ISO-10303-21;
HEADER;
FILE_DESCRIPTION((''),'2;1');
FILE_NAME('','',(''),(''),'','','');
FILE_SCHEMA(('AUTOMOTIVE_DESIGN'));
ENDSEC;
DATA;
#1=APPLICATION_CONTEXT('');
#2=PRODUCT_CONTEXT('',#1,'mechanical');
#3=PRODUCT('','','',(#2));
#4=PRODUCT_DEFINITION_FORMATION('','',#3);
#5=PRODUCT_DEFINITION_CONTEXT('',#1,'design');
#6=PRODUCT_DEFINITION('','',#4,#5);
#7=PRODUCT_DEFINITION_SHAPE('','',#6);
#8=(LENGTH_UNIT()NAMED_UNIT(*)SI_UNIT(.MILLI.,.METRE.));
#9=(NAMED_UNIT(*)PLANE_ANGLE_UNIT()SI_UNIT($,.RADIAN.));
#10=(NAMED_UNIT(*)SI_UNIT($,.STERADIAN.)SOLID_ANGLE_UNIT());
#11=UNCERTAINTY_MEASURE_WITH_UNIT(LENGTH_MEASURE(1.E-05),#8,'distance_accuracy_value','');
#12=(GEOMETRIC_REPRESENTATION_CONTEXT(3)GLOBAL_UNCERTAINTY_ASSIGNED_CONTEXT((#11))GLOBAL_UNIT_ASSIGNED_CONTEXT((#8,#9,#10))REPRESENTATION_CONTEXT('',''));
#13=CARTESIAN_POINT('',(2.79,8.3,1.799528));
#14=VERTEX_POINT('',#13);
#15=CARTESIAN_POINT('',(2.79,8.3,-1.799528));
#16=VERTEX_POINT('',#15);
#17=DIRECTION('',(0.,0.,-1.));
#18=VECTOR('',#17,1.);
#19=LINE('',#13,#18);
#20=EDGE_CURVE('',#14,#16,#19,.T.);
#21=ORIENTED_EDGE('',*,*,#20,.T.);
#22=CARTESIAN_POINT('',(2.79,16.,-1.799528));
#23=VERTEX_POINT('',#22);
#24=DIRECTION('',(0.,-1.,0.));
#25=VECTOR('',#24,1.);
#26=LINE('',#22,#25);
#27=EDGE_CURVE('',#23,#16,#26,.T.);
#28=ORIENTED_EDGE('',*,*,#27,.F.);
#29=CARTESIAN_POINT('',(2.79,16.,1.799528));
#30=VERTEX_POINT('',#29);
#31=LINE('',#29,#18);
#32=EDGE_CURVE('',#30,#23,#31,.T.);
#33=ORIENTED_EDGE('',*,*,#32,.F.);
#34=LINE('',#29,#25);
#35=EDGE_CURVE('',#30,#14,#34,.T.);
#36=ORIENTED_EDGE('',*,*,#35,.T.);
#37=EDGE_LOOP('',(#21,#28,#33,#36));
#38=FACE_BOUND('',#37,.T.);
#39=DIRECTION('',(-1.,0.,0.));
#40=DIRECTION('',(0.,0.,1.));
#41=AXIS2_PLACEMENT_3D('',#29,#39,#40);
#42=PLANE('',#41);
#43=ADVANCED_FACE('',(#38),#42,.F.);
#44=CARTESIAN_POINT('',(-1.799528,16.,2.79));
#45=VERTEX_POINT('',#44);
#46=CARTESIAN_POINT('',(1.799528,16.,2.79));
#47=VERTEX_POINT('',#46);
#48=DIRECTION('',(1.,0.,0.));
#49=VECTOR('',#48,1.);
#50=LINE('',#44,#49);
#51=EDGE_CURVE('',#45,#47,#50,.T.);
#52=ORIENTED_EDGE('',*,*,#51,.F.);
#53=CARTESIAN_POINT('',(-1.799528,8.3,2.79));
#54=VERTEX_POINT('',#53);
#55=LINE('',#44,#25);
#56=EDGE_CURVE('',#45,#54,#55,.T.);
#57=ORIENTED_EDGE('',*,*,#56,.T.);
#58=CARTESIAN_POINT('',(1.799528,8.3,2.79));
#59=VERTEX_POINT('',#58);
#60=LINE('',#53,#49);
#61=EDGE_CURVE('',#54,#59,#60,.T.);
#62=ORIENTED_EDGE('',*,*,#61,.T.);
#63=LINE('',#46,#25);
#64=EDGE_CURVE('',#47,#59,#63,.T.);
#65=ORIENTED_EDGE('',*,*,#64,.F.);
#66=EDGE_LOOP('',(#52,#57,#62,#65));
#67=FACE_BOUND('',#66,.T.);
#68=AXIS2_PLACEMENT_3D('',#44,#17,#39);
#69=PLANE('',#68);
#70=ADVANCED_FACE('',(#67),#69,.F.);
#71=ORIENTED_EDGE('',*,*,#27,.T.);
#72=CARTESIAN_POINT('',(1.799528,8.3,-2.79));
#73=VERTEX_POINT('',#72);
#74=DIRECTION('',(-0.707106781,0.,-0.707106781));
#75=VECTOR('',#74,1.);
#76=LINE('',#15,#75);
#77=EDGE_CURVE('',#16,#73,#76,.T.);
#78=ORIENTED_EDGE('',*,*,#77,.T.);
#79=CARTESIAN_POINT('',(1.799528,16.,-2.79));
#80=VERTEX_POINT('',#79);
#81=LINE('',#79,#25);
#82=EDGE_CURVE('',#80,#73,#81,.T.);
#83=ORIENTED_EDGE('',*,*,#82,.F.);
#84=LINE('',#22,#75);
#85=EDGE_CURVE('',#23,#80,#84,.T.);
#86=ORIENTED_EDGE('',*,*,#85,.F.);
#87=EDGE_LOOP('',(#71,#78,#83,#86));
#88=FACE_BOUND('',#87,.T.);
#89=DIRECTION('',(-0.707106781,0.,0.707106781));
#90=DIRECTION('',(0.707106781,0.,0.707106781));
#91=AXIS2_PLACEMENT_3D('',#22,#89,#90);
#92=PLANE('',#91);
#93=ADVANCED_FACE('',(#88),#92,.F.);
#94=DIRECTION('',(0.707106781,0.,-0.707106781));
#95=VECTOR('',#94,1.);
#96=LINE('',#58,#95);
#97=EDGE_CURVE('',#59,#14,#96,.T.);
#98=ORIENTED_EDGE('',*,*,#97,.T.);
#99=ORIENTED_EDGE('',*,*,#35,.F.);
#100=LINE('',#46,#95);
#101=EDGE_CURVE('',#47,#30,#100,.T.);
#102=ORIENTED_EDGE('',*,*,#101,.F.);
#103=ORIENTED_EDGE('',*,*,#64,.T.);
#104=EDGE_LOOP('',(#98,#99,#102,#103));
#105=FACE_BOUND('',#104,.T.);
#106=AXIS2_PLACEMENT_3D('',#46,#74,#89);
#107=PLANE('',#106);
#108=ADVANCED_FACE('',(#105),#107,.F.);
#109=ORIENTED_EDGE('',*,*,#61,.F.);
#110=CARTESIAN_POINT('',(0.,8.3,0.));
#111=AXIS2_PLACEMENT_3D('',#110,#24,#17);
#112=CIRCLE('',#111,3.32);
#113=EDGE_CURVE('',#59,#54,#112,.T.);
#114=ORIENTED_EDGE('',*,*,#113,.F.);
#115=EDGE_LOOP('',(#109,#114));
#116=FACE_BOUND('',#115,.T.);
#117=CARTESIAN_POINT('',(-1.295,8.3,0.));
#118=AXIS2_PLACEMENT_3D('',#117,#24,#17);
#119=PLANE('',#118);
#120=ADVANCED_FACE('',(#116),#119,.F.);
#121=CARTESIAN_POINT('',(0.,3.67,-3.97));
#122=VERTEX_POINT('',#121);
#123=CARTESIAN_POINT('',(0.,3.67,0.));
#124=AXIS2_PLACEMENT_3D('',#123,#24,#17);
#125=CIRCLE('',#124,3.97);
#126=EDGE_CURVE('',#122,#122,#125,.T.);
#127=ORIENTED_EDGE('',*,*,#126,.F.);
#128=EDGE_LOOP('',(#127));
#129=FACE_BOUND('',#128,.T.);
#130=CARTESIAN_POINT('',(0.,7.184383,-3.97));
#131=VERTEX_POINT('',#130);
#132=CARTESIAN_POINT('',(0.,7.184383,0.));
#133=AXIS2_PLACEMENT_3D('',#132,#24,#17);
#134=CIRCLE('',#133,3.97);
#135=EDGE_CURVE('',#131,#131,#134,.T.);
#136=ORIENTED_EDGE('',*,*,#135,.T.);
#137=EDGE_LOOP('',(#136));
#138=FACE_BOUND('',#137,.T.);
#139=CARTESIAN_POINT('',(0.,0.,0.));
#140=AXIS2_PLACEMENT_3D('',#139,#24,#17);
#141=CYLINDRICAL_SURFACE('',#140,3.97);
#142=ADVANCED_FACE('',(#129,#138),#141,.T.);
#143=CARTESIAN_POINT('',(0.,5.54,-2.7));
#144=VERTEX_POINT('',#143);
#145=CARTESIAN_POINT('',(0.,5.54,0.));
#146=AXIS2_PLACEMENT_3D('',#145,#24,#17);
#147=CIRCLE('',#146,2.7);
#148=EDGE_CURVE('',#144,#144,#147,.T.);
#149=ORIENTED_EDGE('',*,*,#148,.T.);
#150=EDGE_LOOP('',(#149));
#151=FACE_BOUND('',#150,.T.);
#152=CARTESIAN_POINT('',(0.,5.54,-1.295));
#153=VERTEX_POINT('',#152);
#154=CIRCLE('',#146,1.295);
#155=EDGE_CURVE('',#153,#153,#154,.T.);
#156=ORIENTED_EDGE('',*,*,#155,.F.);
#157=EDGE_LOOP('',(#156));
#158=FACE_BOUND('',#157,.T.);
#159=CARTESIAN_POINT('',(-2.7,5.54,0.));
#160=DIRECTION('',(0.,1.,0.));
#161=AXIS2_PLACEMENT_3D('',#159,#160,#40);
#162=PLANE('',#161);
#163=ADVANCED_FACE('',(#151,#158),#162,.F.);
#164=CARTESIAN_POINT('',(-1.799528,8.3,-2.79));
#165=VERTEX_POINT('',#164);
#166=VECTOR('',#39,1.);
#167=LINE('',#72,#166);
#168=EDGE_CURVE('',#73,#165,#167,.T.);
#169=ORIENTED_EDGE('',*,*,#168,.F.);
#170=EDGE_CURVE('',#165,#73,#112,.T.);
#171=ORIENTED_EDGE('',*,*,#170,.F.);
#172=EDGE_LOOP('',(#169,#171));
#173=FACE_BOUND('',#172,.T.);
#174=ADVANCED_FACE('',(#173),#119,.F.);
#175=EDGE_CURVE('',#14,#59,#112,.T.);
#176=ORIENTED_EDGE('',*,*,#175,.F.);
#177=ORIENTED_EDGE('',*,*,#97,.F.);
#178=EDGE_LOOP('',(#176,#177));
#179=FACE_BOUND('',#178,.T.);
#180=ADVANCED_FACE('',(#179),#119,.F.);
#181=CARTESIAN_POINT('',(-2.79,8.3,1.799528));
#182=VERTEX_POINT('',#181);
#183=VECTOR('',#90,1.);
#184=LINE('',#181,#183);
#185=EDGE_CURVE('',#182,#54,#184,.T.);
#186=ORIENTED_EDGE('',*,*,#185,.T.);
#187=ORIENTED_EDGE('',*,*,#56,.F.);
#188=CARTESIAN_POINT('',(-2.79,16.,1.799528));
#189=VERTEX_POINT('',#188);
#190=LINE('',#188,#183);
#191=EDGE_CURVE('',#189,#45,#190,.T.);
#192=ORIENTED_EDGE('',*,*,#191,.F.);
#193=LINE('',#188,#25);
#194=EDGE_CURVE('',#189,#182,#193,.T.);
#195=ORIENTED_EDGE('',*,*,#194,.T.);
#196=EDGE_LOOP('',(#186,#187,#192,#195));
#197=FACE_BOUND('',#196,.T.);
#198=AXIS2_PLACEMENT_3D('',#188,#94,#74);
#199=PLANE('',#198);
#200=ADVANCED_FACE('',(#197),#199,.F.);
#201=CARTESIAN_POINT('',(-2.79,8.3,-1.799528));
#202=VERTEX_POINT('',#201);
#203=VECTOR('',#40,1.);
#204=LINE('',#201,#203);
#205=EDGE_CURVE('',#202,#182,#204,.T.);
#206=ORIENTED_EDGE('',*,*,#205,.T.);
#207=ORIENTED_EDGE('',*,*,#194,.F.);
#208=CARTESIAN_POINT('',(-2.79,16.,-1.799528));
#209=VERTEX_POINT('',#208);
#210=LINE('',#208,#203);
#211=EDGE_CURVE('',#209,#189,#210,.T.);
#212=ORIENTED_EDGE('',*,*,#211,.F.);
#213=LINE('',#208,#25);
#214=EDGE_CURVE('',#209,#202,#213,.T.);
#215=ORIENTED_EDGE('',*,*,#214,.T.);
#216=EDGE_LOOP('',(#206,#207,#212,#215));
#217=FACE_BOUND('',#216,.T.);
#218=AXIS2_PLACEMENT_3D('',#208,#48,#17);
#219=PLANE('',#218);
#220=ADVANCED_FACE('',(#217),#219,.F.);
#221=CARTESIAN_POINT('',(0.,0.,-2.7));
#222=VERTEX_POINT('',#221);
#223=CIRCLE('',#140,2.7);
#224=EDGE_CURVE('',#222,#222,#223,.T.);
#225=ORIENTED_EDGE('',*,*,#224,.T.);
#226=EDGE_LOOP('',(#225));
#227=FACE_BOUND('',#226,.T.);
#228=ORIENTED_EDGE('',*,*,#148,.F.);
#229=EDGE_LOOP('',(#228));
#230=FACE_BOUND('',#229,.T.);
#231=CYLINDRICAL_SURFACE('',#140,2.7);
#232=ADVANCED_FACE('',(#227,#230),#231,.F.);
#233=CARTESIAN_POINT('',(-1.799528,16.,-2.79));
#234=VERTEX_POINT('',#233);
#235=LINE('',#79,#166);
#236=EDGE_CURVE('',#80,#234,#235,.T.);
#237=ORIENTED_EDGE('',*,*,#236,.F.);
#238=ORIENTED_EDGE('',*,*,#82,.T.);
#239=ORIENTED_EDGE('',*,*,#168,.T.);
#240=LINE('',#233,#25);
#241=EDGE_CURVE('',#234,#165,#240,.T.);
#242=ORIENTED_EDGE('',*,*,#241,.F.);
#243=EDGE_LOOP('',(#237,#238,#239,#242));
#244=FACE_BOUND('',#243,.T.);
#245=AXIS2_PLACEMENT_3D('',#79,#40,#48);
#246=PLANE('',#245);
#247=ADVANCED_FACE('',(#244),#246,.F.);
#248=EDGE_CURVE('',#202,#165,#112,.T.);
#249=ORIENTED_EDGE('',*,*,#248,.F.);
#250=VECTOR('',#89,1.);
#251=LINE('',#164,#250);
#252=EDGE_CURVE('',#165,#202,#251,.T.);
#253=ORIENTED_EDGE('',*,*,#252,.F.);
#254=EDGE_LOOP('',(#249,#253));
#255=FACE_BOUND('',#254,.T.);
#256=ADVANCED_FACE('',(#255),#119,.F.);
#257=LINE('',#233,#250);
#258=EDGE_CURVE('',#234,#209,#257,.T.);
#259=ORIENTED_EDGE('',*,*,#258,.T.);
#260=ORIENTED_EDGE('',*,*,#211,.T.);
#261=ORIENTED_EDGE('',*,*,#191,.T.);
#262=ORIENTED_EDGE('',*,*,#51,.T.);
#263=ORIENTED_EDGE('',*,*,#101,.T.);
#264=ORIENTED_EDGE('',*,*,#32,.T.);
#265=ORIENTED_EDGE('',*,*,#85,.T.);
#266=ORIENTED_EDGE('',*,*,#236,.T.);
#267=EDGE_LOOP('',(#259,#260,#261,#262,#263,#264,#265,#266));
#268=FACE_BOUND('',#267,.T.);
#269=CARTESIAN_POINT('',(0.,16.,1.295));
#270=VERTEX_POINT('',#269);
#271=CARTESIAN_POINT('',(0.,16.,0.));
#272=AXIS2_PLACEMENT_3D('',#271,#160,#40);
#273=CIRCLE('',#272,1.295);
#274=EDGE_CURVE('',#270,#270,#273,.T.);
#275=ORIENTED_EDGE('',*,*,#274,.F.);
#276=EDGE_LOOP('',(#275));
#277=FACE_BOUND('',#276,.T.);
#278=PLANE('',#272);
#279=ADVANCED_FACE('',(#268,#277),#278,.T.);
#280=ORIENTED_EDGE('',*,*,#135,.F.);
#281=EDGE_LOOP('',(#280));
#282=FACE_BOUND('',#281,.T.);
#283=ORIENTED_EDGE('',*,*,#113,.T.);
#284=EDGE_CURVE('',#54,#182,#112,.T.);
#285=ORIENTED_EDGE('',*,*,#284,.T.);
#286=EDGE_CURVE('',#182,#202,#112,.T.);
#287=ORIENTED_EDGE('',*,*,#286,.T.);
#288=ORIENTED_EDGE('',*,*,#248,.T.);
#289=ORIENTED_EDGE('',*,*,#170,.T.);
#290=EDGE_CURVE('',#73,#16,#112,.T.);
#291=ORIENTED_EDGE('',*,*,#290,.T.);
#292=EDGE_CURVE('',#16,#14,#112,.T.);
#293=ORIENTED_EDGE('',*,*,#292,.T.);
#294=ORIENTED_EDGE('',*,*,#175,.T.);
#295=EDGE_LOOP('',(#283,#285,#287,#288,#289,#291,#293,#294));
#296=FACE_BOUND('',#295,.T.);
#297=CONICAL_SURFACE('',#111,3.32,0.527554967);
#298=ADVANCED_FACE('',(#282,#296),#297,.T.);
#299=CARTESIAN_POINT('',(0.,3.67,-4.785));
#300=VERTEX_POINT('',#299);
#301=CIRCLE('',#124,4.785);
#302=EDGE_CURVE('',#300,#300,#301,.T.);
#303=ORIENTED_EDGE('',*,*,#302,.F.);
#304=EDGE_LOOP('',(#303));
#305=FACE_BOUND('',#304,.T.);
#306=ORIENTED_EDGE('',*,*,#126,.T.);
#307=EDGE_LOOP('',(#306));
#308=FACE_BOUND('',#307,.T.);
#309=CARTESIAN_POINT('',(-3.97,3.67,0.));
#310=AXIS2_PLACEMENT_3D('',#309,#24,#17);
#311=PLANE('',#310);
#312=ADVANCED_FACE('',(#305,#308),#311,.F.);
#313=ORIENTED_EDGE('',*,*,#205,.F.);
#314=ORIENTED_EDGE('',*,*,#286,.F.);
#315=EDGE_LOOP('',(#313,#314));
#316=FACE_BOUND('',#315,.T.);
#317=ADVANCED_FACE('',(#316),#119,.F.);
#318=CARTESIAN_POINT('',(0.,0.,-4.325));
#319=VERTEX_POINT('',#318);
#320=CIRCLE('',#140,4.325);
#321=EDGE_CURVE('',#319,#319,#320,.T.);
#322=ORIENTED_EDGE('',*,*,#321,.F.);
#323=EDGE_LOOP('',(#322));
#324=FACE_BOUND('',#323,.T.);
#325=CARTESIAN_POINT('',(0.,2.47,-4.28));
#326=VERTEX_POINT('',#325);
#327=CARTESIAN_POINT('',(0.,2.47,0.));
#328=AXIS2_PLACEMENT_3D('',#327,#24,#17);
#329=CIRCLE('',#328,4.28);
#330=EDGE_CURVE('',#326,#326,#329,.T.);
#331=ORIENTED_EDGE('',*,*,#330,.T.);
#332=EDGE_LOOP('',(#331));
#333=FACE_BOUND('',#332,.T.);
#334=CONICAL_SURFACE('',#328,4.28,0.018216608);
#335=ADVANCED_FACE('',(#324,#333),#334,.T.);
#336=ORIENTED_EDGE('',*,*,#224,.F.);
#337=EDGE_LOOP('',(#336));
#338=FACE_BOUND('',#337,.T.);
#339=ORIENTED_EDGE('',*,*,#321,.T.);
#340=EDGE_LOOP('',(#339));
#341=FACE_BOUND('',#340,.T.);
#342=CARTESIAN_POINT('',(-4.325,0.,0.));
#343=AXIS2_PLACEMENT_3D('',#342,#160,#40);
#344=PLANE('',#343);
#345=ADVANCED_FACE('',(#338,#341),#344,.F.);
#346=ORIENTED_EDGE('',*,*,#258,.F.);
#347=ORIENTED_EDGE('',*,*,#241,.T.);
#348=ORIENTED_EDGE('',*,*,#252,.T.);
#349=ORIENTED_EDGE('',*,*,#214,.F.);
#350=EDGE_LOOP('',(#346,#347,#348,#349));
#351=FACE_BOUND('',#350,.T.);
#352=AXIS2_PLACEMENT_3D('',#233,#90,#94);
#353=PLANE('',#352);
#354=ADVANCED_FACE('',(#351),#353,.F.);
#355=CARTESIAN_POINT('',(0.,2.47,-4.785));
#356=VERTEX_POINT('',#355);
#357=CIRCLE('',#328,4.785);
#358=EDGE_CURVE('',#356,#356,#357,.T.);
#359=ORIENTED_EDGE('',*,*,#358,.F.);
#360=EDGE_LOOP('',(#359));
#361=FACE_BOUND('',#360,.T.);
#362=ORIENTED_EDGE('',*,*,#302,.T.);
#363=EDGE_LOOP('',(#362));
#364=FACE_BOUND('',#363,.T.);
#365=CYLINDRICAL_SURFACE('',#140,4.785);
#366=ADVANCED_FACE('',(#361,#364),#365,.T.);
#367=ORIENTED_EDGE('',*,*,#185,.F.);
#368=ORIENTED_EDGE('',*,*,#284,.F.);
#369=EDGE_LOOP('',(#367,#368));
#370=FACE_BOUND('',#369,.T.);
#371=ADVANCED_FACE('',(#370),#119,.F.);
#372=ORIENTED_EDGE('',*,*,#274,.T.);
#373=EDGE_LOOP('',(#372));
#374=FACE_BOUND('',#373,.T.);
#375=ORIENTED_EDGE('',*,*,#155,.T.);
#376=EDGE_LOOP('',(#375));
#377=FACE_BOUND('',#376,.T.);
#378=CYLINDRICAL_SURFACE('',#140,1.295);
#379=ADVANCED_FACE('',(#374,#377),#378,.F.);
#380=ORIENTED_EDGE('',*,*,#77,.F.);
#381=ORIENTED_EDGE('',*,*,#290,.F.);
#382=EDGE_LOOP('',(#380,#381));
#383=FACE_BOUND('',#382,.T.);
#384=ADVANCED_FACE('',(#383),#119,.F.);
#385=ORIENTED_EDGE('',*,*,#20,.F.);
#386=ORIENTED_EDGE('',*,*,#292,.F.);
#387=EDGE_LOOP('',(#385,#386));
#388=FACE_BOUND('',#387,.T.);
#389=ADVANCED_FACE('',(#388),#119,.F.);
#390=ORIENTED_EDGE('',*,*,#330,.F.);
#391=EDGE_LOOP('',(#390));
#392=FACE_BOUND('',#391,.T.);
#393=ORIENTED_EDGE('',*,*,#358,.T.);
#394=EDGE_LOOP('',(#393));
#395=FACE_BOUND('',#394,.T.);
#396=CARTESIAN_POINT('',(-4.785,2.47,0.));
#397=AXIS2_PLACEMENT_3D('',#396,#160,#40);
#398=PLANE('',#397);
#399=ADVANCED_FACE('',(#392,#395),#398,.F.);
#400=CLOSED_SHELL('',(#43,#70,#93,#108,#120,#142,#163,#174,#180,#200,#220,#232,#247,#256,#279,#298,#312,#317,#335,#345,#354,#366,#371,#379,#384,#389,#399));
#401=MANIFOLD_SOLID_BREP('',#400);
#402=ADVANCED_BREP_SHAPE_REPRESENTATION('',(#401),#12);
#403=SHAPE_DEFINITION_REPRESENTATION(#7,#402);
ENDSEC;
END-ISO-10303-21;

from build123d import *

# Parameters (mm, degrees)
BOSS_EXTRUDE1_START = 7.7
SKETCH2_R           = 1.295
BOSS_EXTRUDE1_DEPTH = 7.7


with BuildPart() as part:
    # Sketch1 → Revolve1 (revolve)
    with BuildSketch(Plane.XY, mode=Mode.PRIVATE) as revolve1_sk:
        Polygon((-2.7, 0), (-2.7, 5.54), (-1.295, 5.54), (-1.295, 8.3), (-3.32, 8.3), (-3.97, 7.184383121), (-3.97, 3.67), (-4.785, 3.67), (-4.785, 2.47), (-4.28, 2.47), (-4.325, 0), align=None)
    revolve(revolve1_sk.sketch.rotate(Axis((0, 0, 0), (0, 1, 0)), 270), axis=Axis((0, 0, 0), (0, 1, 0)))

    # Sketch2 → Boss-Extrude1 (add)
    with BuildSketch(Plane(origin=(0, 8.3, 0), x_dir=(1, 0, 0), z_dir=(0, 1, 0)).offset(BOSS_EXTRUDE1_START)):
        Polygon((1.799527716, 2.79), (-1.799527716, 2.79), (-2.79, 1.799527716), (-2.79, -1.799527716), (-1.799527716, -2.79), (1.799527716, -2.79), (2.79, -1.799527716), (2.79, 1.799527716), align=None)
        with Locations(Location((0, 0, 0), (0, 0, 90))):
            Circle(SKETCH2_R, mode=Mode.SUBTRACT)
    extrude(amount=-BOSS_EXTRUDE1_DEPTH)


solid = part.part
